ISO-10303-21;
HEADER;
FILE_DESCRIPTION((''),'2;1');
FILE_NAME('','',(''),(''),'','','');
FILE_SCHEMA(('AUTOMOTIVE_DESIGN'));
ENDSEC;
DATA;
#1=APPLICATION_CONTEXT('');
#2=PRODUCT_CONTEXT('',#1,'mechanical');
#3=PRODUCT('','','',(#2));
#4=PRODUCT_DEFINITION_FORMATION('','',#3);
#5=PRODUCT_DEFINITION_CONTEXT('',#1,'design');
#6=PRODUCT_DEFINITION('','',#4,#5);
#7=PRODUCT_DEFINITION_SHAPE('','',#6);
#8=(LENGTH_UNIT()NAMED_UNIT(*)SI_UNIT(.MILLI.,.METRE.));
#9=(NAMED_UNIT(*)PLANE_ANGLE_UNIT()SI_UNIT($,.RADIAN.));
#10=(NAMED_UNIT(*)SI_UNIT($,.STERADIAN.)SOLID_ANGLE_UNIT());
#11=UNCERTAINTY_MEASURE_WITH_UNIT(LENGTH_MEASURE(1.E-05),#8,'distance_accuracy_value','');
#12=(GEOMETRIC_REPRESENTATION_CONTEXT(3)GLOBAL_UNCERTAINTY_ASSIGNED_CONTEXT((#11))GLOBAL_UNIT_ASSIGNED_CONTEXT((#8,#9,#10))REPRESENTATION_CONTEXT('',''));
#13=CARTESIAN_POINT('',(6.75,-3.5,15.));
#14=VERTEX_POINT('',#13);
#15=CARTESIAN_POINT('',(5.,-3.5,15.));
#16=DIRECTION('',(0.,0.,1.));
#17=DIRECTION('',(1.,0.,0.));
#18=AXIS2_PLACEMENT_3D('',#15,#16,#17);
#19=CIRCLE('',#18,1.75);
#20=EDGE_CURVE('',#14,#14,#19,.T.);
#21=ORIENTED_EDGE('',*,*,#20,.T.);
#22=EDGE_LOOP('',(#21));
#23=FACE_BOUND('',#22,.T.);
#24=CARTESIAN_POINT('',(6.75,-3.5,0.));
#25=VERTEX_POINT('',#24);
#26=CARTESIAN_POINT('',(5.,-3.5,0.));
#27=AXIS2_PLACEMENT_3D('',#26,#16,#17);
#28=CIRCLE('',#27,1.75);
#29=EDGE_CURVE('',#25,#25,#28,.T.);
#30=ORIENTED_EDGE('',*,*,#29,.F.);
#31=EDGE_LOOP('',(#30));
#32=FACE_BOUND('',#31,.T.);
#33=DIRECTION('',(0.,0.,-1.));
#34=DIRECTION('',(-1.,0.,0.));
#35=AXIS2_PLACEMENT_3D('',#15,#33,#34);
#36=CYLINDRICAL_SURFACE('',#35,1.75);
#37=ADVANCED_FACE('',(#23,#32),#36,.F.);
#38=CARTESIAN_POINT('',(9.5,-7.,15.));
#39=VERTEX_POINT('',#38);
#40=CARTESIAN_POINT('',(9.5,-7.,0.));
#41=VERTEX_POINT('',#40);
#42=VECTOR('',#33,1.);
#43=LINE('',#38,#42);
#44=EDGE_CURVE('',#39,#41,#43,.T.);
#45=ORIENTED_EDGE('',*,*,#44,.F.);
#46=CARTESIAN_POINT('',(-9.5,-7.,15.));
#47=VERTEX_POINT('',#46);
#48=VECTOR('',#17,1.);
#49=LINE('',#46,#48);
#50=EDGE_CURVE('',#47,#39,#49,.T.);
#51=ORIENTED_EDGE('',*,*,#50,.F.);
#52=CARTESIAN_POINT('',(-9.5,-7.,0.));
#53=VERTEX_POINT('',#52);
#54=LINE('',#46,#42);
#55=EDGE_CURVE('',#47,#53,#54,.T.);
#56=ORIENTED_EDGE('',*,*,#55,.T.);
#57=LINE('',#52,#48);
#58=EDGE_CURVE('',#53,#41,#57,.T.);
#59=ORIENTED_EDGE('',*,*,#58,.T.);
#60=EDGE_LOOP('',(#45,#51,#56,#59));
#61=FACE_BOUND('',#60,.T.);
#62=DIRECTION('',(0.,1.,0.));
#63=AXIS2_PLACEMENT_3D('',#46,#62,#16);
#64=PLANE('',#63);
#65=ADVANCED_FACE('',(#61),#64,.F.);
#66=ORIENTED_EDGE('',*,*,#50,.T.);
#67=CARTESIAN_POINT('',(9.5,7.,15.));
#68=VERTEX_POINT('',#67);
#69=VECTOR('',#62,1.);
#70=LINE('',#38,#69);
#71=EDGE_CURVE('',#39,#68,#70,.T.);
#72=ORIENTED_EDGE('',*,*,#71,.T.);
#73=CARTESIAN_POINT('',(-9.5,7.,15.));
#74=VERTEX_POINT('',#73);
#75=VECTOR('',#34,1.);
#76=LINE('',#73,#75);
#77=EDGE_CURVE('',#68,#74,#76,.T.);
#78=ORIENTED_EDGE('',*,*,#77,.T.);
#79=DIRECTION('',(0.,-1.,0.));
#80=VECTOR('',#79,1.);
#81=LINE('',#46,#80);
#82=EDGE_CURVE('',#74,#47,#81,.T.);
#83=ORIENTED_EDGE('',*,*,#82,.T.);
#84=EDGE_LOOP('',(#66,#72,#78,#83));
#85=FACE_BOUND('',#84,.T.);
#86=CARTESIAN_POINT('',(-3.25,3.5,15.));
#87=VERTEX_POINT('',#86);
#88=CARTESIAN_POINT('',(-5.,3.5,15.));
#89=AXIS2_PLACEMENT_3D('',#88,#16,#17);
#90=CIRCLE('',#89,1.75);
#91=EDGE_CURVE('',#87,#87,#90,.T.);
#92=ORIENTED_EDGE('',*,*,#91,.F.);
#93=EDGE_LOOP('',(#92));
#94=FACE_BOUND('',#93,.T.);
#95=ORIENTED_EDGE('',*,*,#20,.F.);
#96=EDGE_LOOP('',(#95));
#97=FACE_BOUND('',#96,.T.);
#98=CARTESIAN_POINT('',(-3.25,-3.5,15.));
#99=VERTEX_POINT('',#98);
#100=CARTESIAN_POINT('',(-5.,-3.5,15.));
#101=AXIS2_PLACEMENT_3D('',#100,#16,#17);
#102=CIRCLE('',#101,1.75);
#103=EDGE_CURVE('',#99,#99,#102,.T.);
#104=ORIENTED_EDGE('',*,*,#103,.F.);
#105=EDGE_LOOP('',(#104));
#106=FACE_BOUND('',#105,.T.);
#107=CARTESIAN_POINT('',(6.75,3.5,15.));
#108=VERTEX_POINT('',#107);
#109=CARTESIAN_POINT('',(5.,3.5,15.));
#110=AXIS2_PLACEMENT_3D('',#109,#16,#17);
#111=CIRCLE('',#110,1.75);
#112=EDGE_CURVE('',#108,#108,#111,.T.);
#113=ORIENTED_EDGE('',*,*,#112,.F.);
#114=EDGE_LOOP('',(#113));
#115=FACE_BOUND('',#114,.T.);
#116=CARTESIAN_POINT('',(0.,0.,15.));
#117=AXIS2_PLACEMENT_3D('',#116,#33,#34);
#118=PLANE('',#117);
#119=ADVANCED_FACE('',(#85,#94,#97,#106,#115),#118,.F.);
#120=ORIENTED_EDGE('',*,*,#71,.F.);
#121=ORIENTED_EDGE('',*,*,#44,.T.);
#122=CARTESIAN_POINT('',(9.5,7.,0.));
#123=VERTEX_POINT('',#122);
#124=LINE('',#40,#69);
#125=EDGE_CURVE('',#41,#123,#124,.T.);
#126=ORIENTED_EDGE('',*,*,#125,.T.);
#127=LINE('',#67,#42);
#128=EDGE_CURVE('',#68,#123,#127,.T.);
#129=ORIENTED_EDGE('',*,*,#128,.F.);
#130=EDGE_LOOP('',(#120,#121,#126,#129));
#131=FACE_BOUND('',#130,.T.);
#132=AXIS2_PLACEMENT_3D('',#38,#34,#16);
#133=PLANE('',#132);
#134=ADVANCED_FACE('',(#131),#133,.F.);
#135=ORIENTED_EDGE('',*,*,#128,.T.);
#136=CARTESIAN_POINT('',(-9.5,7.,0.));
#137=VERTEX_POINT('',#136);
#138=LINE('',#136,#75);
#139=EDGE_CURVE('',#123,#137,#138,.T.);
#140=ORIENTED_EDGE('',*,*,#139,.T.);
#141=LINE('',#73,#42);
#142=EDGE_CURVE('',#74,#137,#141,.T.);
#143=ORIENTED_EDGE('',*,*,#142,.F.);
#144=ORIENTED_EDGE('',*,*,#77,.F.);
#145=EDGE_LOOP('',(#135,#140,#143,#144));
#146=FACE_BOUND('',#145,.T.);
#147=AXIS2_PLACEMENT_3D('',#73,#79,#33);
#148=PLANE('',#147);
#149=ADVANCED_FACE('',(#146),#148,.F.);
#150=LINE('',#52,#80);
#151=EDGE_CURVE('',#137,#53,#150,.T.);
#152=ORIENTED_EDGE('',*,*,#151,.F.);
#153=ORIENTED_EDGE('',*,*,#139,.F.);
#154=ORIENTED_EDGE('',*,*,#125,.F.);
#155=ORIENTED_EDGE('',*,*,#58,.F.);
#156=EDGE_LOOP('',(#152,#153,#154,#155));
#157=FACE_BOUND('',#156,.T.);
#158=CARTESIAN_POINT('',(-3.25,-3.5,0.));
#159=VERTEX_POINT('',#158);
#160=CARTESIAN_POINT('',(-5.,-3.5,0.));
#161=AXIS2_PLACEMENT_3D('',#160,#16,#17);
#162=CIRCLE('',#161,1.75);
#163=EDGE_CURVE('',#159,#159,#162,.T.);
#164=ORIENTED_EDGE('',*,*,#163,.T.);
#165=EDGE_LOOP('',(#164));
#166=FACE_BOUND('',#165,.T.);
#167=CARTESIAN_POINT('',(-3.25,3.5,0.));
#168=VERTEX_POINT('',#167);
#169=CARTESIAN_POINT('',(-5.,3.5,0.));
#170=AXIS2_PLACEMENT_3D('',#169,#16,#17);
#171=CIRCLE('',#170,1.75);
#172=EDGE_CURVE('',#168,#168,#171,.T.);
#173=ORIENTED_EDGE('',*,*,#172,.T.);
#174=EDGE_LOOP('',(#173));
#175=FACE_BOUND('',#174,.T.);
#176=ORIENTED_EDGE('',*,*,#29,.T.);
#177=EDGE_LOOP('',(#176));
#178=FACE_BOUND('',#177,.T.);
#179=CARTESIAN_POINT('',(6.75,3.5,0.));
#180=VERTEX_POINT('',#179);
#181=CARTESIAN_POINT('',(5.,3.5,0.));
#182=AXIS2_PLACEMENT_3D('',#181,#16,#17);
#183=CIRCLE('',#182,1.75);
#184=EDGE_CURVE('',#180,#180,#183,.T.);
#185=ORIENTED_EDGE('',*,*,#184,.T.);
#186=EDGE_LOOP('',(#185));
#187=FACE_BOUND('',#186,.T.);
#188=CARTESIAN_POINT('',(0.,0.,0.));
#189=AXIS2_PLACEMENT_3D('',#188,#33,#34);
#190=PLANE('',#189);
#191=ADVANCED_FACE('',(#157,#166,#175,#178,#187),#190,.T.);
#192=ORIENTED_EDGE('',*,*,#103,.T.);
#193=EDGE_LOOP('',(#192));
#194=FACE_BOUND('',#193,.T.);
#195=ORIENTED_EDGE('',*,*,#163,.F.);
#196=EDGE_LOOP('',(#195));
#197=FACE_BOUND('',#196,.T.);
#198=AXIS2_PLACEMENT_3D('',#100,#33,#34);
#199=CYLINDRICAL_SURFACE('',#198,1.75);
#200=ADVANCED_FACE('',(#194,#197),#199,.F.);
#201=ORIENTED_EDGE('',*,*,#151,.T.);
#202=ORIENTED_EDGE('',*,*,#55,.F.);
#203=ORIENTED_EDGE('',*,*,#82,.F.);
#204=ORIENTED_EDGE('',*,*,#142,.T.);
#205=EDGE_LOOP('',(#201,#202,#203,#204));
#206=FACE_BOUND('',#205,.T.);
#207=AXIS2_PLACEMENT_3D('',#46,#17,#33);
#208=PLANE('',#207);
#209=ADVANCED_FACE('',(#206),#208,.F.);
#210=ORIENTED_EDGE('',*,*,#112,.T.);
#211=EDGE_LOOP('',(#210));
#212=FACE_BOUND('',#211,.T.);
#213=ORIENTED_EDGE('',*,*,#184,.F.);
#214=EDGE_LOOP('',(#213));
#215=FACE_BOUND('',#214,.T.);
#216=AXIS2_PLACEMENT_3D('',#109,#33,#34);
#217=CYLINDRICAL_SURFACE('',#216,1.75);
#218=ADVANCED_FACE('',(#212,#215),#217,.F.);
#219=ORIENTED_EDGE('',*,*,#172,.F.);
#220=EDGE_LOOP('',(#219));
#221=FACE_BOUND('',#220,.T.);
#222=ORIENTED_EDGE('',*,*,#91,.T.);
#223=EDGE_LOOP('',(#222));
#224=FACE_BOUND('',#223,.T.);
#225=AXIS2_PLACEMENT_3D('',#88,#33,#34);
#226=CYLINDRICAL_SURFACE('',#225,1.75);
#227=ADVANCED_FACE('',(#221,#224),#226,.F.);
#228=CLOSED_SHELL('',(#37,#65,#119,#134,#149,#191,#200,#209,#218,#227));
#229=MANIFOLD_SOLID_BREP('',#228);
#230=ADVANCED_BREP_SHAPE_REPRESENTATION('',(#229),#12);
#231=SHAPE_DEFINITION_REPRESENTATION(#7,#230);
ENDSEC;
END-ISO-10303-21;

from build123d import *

# Parameters (mm, degrees)
SKETCH_1_W      = 19
SKETCH_1_H      = 14
SKETCH_1_R      = 1.75
EXTRUDE_1_DEPTH = 15


with BuildPart() as part:
    # 草图1 → 凸台-拉伸1 (new body)
    with BuildSketch(Plane.XY):
        Rectangle(SKETCH_1_W, SKETCH_1_H)
        with Locations((-5, 3.5)):
            Circle(SKETCH_1_R, mode=Mode.SUBTRACT)
        with Locations((5, 3.5)):
            Circle(SKETCH_1_R, mode=Mode.SUBTRACT)
        with Locations((5, -3.5)):
            Circle(SKETCH_1_R, mode=Mode.SUBTRACT)
        with Locations((-5, -3.5)):
            Circle(SKETCH_1_R, mode=Mode.SUBTRACT)
    extrude(amount=EXTRUDE_1_DEPTH)


solid = part.part
